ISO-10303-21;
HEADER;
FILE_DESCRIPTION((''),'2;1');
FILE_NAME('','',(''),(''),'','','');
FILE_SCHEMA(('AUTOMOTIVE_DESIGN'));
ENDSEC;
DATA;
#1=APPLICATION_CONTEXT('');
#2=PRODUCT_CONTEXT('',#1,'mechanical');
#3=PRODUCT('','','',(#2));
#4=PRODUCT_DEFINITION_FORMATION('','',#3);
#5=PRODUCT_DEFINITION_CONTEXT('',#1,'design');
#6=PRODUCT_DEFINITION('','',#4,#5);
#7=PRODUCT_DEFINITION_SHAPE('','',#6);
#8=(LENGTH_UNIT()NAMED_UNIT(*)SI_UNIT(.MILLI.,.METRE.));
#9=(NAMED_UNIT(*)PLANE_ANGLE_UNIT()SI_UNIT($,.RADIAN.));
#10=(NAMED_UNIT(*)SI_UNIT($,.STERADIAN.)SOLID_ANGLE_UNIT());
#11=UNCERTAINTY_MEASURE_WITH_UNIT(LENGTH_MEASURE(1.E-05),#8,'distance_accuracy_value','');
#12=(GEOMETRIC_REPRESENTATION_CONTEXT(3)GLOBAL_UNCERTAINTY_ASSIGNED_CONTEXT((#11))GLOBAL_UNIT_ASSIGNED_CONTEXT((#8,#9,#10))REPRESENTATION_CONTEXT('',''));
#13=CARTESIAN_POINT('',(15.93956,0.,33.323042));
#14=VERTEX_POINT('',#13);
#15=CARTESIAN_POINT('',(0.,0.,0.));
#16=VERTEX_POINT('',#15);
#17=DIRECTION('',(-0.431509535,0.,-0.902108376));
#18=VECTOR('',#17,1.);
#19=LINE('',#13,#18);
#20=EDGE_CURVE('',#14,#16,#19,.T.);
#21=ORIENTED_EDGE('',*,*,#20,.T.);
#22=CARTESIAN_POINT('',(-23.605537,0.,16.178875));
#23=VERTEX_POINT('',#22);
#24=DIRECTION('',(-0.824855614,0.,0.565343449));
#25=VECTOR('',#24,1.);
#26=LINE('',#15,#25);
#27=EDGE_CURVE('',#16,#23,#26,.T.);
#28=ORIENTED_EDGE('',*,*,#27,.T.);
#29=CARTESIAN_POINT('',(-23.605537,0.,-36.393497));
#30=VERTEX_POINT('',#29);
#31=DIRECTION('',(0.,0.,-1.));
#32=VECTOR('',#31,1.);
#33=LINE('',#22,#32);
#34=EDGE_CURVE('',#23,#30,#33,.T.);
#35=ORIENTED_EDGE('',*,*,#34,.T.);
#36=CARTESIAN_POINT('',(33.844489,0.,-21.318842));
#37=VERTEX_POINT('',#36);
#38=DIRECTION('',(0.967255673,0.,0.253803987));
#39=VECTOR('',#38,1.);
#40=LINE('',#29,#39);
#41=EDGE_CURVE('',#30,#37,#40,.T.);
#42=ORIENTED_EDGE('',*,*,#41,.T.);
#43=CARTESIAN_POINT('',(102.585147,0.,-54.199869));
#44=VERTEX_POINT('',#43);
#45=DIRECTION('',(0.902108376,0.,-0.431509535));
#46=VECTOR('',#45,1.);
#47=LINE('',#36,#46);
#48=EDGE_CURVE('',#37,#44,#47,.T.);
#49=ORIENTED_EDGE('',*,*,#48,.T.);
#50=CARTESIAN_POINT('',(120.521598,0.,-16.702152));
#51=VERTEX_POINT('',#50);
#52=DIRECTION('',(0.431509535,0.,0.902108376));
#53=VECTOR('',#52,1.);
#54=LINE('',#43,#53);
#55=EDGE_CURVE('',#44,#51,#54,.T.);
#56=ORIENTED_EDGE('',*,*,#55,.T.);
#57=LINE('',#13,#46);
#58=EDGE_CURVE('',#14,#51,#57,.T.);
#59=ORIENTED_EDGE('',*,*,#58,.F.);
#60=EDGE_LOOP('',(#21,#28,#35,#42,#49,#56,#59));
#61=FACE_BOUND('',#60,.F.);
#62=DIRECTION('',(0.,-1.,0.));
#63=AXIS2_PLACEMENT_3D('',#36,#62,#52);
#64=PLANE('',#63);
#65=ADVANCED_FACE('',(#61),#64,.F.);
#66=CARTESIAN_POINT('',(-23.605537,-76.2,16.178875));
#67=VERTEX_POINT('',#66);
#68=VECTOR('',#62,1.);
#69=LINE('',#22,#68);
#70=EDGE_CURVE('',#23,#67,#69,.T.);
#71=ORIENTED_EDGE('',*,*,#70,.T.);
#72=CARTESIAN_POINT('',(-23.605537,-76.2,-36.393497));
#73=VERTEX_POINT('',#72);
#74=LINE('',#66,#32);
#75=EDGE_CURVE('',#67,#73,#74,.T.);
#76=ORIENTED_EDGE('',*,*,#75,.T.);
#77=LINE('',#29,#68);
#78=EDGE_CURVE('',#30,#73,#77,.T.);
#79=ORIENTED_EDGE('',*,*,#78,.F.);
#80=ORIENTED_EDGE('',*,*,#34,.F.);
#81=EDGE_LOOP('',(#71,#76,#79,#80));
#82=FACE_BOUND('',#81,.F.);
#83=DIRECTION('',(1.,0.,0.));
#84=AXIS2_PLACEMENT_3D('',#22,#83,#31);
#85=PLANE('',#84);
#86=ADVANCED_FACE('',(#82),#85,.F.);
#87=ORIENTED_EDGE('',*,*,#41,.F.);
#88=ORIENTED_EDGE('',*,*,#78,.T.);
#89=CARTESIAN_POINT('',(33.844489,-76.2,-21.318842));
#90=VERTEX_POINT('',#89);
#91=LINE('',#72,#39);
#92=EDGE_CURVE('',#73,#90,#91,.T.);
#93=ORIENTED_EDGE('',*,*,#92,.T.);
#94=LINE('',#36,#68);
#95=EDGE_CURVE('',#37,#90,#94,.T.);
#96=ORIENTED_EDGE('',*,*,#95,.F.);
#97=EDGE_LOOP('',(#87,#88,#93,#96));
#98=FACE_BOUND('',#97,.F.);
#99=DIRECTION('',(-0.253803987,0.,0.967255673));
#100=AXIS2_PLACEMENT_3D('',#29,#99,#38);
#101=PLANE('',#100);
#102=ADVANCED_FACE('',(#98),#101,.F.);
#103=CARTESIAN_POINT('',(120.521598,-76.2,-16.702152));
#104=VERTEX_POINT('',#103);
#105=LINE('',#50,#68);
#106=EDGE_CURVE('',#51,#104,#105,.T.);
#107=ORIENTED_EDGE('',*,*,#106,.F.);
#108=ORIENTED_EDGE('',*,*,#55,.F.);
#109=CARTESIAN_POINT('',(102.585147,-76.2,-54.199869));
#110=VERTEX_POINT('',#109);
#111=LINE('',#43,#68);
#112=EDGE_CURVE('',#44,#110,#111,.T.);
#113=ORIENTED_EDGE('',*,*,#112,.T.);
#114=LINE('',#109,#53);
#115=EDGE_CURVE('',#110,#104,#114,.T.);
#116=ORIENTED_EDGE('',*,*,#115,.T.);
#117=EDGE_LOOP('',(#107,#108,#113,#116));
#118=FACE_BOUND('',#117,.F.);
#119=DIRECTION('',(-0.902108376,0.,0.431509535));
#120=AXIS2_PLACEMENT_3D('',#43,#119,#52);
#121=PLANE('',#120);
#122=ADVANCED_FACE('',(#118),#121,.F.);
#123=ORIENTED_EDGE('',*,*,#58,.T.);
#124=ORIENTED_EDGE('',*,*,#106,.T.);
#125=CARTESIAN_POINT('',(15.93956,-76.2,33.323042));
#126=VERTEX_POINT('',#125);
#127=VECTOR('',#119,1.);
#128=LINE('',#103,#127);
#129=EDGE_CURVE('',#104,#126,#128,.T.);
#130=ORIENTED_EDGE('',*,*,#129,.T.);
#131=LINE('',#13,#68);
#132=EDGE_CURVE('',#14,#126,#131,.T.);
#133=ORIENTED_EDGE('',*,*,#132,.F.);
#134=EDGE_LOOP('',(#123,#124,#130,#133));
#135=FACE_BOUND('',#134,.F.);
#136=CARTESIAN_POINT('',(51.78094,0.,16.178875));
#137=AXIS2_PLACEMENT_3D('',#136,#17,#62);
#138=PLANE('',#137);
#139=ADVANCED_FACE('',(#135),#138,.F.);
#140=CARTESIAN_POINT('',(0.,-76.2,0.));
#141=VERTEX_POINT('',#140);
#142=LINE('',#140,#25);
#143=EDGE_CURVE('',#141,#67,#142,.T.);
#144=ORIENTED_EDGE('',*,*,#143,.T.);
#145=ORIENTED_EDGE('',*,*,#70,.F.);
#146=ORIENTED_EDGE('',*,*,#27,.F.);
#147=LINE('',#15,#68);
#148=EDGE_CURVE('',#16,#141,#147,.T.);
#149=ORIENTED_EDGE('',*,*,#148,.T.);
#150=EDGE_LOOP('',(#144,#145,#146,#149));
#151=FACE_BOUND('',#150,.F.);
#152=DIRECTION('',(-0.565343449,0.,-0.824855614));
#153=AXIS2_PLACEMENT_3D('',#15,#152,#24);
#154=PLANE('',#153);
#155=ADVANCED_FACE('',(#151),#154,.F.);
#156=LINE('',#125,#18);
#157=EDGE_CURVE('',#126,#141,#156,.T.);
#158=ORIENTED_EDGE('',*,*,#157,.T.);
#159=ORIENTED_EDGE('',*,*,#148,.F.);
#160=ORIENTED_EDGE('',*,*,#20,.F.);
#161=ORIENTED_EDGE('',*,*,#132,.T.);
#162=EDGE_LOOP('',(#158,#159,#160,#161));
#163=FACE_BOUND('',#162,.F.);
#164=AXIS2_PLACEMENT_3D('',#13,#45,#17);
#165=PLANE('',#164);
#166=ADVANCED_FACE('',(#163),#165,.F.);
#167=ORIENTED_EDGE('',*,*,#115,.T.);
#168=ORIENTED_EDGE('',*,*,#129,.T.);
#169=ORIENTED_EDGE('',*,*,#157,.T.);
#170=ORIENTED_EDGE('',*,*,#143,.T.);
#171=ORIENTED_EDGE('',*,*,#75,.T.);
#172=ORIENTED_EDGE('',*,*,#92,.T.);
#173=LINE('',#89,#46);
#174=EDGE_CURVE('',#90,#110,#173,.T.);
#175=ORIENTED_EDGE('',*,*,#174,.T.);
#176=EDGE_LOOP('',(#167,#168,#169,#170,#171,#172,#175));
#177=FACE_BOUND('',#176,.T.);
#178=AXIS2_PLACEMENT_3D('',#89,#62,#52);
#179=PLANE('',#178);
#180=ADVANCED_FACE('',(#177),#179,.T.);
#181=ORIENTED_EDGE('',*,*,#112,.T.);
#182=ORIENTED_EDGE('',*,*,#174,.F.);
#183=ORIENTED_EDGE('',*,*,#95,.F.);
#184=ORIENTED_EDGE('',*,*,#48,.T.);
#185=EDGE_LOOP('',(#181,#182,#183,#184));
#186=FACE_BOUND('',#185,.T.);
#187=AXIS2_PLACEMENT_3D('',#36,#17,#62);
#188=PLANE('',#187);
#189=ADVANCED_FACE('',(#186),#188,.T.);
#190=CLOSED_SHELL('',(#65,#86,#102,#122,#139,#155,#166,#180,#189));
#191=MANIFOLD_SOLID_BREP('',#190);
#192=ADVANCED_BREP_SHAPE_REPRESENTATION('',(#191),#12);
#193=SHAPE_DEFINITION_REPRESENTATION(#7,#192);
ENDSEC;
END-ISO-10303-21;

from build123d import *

# Parameters (mm, degrees)
F1_DEPTH = 76.2
F2_DEPTH = 76.2


with BuildPart() as f1:
    # F0 (on Front) → F1 (new body)
    with BuildSketch(Plane.XZ):
        Polygon((15.9395597875, 33.3230420947), (0, 0), (-23.6055366695, 16.1788745644), (-23.6055366695, -36.3934971392), (33.8444890328, -21.3188421257), (51.7809395939, 16.1788745644), align=None)
    extrude(amount=F1_DEPTH)

    # F2 (add): a face of the model
    f2_faces = [f1.faces().sort_by_distance(p)[0] for p in [
        (42.8127143134, -38.1, -2.5699837806),
    ]]
    extrude(f2_faces, amount=F2_DEPTH)


solid = f1.part
